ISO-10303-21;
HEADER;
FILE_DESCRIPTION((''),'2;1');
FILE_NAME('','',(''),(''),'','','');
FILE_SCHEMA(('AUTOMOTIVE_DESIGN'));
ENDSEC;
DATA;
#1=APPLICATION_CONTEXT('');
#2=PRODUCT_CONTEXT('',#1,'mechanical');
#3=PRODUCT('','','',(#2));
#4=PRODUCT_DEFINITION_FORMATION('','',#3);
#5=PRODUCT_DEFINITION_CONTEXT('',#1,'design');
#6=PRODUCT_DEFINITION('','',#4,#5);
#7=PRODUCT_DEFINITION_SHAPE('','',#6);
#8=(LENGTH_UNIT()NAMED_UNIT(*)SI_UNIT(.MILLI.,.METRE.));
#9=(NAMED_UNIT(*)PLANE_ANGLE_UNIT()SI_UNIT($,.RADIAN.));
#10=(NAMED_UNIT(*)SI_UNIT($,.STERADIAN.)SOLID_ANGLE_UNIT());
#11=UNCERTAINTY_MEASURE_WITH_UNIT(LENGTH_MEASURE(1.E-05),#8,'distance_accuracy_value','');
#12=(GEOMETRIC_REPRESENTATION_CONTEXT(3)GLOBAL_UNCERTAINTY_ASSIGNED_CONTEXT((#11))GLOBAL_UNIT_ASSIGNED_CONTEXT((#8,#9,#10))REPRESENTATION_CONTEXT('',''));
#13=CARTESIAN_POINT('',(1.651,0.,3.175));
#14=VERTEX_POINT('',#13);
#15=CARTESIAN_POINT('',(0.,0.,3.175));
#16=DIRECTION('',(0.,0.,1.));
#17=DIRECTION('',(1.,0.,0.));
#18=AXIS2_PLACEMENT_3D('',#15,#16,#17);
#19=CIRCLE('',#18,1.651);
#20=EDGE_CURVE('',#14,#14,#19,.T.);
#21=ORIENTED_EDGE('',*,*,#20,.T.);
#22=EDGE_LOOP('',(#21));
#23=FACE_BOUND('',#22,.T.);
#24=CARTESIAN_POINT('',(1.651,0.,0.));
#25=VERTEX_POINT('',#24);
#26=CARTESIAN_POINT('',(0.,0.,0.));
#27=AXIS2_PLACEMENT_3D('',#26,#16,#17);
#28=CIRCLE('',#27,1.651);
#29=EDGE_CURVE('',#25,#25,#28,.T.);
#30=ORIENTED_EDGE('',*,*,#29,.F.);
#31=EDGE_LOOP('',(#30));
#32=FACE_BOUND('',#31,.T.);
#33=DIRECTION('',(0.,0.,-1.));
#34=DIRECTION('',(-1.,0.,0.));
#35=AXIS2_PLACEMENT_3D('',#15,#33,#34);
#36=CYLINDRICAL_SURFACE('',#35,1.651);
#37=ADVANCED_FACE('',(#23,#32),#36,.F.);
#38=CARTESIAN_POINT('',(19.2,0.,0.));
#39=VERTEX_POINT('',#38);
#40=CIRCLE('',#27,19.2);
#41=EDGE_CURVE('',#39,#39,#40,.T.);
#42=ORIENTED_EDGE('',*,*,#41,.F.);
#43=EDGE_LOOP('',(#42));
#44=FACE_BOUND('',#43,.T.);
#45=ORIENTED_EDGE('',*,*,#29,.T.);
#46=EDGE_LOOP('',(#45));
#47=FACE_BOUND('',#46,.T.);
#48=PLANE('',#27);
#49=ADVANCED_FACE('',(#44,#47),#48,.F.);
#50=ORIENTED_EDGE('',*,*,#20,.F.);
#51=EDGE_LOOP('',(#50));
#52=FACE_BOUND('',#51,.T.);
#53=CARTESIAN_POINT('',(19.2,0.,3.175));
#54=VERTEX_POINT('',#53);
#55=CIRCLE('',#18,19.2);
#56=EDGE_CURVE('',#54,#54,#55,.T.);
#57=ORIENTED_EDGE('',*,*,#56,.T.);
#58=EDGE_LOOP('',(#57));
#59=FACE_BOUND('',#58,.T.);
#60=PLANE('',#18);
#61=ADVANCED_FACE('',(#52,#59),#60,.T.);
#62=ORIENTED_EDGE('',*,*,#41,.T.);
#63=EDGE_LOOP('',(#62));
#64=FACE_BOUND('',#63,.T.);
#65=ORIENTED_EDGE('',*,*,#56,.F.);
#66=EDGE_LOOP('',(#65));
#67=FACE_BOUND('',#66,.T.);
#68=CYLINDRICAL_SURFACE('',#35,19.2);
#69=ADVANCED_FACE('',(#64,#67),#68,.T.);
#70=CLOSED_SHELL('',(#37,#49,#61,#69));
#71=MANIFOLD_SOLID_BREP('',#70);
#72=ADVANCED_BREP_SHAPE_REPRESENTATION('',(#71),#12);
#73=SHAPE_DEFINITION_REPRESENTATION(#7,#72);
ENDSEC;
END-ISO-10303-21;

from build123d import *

# Parameters (mm, degrees)
SKETCH1_R           = 19.2
SKETCH1_R_2         = 1.651
BOSS_EXTRUDE1_DEPTH = 3.175
SKETCH2_R           = 6.236054326
BOSS_EXTRUDE2_DEPTH = 3.175


with BuildPart() as part:
    # Sketch1 → Boss-Extrude1 (new body)
    with BuildSketch(Plane.XY):
        Circle(SKETCH1_R)
        Circle(SKETCH1_R_2, mode=Mode.SUBTRACT)
        with BuildLine():
            ThreePointArc((7.62, 3.061054326), (1.383945674, -3.175), (7.62, -9.411054326))
            ThreePointArc((7.62, -9.411054326), (13.856054326, -3.175), (7.62, 3.061054326))
        make_face(mode=Mode.SUBTRACT)
    extrude(amount=BOSS_EXTRUDE1_DEPTH)

    # Sketch2 → Boss-Extrude2 (add)
    with BuildSketch(Plane(origin=(0, 0, 0), x_dir=(-1, 0, 0), z_dir=(0, 0, -1))):
        with Locations((-7.62, -3.175)):
            Circle(SKETCH2_R)
    extrude(amount=-BOSS_EXTRUDE2_DEPTH)


solid = part.part
